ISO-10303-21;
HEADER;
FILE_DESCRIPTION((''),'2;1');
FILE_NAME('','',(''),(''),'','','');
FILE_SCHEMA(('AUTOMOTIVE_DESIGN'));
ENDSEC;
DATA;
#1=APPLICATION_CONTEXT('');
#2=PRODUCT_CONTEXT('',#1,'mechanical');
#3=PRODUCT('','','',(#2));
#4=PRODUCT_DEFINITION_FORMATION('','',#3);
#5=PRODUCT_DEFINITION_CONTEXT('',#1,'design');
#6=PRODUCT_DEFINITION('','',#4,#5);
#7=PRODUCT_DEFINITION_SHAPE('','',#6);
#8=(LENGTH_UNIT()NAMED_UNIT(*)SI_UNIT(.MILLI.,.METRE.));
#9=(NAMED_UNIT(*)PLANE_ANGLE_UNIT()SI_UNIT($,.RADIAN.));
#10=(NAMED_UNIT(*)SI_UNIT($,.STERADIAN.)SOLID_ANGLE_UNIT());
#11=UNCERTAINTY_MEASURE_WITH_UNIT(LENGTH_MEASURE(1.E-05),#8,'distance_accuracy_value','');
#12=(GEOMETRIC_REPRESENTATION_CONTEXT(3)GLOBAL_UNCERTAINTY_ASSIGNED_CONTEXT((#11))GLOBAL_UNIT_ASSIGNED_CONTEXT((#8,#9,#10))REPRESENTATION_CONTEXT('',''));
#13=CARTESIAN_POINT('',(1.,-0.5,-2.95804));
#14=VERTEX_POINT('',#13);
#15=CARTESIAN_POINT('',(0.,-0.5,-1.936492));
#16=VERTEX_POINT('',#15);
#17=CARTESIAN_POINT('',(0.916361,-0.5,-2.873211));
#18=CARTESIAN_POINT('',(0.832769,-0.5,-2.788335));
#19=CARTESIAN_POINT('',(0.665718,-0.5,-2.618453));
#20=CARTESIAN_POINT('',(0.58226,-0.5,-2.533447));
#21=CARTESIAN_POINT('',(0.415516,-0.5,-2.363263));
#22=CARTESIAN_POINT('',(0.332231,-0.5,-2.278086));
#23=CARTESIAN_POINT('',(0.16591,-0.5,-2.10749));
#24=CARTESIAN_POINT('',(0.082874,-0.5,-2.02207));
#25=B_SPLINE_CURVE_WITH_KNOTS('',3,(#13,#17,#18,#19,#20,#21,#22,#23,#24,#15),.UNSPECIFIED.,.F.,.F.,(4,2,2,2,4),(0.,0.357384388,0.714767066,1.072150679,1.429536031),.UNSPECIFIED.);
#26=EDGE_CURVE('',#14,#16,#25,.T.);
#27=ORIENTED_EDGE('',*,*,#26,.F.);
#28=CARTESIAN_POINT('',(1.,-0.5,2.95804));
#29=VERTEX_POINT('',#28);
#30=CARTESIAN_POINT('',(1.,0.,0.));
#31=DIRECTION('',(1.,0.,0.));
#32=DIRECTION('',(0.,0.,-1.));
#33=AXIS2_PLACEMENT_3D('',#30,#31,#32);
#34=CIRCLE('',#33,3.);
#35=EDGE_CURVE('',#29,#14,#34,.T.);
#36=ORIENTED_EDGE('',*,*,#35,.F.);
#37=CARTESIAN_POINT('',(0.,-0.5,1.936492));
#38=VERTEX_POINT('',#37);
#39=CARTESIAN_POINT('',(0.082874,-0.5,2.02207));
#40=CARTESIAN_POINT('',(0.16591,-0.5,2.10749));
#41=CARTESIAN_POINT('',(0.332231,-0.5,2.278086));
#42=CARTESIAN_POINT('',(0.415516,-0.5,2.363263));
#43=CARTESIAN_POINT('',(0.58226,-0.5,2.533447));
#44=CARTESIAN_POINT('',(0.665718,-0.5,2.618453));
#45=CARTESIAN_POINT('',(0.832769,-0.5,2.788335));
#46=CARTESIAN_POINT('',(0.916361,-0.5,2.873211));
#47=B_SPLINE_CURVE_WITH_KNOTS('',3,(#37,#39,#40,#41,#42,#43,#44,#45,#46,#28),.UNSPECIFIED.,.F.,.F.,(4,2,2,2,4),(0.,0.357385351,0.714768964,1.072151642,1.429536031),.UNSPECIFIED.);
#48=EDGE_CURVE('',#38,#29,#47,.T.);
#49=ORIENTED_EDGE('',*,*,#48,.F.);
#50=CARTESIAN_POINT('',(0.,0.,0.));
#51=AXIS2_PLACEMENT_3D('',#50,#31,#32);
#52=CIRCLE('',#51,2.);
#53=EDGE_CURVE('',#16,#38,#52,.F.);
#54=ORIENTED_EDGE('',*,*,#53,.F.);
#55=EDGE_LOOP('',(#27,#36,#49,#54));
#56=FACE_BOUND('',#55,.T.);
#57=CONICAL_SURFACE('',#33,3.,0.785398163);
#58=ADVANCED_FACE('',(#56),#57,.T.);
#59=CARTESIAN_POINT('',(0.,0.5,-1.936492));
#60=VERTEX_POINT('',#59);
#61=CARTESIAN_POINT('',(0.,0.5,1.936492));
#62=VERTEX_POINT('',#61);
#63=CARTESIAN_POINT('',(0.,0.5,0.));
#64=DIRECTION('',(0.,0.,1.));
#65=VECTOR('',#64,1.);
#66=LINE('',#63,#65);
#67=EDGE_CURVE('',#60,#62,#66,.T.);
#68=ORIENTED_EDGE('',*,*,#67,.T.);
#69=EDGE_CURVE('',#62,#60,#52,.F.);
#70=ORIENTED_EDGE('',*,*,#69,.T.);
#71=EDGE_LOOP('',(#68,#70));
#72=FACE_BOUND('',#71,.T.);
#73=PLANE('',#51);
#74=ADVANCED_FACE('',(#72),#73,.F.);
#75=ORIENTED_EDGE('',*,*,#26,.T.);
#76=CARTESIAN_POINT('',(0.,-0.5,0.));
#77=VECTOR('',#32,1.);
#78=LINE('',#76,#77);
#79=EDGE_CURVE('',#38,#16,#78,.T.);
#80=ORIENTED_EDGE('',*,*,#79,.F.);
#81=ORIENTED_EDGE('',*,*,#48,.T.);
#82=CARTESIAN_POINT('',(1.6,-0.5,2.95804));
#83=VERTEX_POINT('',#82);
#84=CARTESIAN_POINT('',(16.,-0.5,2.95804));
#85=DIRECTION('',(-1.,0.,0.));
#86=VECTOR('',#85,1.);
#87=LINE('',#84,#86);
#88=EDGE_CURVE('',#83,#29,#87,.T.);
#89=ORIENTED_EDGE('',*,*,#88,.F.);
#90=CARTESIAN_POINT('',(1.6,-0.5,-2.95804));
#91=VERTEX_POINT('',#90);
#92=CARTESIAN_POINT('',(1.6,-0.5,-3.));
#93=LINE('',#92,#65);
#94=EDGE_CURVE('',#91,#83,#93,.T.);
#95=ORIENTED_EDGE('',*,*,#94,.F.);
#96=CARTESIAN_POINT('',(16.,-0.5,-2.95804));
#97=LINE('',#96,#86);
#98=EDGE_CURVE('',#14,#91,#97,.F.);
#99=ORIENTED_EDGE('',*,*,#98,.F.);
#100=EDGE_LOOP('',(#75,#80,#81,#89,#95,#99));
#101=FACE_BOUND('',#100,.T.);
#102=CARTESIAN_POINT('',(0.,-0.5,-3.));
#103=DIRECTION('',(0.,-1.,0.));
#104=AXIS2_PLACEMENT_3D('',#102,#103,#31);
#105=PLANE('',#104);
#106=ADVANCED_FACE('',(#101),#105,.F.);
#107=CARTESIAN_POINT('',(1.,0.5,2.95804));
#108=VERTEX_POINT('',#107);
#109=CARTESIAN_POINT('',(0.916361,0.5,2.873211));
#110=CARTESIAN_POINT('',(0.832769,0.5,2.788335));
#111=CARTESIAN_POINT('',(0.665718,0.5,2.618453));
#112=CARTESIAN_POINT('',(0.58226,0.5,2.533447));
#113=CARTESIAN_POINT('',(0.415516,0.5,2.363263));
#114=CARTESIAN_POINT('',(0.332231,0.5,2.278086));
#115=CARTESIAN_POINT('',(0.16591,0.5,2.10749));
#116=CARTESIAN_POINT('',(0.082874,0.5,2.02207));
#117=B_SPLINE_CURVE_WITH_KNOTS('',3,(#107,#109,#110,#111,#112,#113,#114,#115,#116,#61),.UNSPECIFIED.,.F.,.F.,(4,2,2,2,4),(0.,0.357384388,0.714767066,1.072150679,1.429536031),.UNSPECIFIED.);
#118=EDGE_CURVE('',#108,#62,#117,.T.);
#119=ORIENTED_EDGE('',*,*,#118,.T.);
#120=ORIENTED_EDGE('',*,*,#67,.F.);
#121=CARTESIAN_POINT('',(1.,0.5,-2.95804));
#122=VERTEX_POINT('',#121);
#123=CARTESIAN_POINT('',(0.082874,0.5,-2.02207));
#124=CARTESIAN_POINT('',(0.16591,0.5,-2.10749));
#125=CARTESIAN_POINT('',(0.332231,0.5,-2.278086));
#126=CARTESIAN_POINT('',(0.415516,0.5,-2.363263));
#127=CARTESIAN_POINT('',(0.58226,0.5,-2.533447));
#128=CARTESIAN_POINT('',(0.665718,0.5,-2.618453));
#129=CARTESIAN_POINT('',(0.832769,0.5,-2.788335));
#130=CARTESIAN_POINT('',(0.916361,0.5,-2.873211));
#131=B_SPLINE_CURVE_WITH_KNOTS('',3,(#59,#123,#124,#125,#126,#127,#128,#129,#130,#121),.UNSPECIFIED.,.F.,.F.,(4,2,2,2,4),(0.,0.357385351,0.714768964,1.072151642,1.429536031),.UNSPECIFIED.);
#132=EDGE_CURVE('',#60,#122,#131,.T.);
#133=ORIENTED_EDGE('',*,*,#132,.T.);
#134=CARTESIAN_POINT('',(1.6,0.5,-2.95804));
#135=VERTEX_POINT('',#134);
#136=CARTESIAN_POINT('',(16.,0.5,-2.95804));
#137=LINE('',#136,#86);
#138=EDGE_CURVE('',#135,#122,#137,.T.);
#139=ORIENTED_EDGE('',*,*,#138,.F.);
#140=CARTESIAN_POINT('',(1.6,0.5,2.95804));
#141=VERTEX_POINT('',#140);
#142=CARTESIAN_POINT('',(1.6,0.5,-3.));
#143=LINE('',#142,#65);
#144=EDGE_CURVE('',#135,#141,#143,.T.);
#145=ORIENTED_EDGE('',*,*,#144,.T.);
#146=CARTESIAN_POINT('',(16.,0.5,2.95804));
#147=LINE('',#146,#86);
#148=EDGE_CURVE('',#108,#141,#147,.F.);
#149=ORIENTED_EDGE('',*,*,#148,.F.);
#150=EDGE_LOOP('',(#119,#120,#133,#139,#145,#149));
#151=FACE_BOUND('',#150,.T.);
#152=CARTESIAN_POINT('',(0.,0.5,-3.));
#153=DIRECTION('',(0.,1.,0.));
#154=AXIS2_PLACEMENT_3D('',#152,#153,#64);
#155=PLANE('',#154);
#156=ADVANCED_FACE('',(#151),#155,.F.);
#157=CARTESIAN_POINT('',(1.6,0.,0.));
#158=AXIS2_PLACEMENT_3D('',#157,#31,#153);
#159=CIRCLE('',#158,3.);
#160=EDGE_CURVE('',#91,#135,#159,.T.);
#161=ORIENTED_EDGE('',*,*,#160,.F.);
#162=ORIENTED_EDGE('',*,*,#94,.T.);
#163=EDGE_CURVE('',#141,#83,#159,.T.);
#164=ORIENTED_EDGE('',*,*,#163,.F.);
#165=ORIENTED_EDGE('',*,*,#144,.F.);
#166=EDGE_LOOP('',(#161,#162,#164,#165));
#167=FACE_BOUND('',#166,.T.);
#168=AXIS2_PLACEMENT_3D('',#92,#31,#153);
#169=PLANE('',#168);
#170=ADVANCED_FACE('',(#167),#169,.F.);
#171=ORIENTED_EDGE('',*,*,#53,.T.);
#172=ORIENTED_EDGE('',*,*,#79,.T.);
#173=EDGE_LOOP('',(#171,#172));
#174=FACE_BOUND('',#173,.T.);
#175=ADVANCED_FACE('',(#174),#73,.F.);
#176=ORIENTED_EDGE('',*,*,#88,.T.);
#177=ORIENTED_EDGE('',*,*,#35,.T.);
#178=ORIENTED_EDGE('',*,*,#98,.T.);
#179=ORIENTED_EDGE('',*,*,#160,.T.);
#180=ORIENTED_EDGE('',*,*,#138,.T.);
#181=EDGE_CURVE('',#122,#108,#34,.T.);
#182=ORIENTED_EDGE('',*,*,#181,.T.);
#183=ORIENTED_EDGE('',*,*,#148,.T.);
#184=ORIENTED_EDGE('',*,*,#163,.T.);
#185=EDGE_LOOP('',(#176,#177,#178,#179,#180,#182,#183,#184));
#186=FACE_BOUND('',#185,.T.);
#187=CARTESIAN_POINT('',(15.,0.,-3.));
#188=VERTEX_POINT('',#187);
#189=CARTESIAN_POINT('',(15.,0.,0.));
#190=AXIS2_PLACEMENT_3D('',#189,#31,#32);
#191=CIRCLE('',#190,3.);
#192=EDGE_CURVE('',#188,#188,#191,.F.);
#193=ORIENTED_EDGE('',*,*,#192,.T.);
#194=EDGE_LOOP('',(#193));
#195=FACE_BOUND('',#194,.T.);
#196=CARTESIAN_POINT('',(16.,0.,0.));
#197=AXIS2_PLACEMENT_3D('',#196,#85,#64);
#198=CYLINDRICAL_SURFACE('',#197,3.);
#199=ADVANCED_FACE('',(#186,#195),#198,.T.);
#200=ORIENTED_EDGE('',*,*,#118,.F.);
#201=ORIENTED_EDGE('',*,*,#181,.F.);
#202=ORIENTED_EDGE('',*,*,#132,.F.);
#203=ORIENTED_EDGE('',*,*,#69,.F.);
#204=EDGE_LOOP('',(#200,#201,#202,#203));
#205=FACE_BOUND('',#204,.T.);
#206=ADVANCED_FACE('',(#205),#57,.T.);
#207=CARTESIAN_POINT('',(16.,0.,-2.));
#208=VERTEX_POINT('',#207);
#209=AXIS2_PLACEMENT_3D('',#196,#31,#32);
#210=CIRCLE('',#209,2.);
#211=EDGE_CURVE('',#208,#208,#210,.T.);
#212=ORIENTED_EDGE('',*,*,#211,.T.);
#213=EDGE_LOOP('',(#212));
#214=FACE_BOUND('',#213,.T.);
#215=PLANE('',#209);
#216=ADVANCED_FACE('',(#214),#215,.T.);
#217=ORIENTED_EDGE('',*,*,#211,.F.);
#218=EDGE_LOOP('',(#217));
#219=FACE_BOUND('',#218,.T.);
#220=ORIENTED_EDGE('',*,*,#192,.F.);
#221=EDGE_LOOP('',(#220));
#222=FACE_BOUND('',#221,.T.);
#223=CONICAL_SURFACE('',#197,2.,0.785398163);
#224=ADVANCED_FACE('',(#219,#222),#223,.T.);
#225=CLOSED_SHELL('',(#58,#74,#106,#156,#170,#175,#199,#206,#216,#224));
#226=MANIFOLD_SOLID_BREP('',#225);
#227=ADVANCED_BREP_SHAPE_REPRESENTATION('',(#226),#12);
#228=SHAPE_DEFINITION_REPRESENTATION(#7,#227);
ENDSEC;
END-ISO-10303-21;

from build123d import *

# Parameters (mm, degrees)
SKETCH_1_R               = 3
EXTRUDE_1_DEPTH          = 16
CUT_EXTRUDE_1_DEPTH      = 17.552945357
CUT_EXTRUDE_1_DEPTH_BACK = 17.552945357
SKETCH_2_W               = 1.6
SKETCH_2_H               = 1
CHAMFER_1_SIZE           = 1


with BuildPart() as part:
    # Эскиз1 → Бобышка-Вытянуть1 (new body)
    with BuildSketch(Plane(origin=(0, 0, 0), x_dir=(0, 0, -1), z_dir=(1, 0, 0))):
        Circle(SKETCH_1_R)
    extrude(amount=EXTRUDE_1_DEPTH)

    # Эскиз2 → Вырез-Вытянуть1 (cut, two sides: drawn at the far end of the back side and taken through both)
    with BuildSketch(Plane.XY.offset(-CUT_EXTRUDE_1_DEPTH_BACK)):
        with Locations((0.8, 0)):
            Rectangle(SKETCH_2_W, SKETCH_2_H)
    extrude(amount=CUT_EXTRUDE_1_DEPTH + CUT_EXTRUDE_1_DEPTH_BACK, mode=Mode.SUBTRACT)

    # Фаска1
    chamfer_1_edges = [part.edges().sort_by_distance(p)[0] for p in [
        (16, 0, 3),
        (0, 3, 0),
        (0, -3, 0),
    ]]
    chamfer(chamfer_1_edges, length=CHAMFER_1_SIZE)


solid = part.part
